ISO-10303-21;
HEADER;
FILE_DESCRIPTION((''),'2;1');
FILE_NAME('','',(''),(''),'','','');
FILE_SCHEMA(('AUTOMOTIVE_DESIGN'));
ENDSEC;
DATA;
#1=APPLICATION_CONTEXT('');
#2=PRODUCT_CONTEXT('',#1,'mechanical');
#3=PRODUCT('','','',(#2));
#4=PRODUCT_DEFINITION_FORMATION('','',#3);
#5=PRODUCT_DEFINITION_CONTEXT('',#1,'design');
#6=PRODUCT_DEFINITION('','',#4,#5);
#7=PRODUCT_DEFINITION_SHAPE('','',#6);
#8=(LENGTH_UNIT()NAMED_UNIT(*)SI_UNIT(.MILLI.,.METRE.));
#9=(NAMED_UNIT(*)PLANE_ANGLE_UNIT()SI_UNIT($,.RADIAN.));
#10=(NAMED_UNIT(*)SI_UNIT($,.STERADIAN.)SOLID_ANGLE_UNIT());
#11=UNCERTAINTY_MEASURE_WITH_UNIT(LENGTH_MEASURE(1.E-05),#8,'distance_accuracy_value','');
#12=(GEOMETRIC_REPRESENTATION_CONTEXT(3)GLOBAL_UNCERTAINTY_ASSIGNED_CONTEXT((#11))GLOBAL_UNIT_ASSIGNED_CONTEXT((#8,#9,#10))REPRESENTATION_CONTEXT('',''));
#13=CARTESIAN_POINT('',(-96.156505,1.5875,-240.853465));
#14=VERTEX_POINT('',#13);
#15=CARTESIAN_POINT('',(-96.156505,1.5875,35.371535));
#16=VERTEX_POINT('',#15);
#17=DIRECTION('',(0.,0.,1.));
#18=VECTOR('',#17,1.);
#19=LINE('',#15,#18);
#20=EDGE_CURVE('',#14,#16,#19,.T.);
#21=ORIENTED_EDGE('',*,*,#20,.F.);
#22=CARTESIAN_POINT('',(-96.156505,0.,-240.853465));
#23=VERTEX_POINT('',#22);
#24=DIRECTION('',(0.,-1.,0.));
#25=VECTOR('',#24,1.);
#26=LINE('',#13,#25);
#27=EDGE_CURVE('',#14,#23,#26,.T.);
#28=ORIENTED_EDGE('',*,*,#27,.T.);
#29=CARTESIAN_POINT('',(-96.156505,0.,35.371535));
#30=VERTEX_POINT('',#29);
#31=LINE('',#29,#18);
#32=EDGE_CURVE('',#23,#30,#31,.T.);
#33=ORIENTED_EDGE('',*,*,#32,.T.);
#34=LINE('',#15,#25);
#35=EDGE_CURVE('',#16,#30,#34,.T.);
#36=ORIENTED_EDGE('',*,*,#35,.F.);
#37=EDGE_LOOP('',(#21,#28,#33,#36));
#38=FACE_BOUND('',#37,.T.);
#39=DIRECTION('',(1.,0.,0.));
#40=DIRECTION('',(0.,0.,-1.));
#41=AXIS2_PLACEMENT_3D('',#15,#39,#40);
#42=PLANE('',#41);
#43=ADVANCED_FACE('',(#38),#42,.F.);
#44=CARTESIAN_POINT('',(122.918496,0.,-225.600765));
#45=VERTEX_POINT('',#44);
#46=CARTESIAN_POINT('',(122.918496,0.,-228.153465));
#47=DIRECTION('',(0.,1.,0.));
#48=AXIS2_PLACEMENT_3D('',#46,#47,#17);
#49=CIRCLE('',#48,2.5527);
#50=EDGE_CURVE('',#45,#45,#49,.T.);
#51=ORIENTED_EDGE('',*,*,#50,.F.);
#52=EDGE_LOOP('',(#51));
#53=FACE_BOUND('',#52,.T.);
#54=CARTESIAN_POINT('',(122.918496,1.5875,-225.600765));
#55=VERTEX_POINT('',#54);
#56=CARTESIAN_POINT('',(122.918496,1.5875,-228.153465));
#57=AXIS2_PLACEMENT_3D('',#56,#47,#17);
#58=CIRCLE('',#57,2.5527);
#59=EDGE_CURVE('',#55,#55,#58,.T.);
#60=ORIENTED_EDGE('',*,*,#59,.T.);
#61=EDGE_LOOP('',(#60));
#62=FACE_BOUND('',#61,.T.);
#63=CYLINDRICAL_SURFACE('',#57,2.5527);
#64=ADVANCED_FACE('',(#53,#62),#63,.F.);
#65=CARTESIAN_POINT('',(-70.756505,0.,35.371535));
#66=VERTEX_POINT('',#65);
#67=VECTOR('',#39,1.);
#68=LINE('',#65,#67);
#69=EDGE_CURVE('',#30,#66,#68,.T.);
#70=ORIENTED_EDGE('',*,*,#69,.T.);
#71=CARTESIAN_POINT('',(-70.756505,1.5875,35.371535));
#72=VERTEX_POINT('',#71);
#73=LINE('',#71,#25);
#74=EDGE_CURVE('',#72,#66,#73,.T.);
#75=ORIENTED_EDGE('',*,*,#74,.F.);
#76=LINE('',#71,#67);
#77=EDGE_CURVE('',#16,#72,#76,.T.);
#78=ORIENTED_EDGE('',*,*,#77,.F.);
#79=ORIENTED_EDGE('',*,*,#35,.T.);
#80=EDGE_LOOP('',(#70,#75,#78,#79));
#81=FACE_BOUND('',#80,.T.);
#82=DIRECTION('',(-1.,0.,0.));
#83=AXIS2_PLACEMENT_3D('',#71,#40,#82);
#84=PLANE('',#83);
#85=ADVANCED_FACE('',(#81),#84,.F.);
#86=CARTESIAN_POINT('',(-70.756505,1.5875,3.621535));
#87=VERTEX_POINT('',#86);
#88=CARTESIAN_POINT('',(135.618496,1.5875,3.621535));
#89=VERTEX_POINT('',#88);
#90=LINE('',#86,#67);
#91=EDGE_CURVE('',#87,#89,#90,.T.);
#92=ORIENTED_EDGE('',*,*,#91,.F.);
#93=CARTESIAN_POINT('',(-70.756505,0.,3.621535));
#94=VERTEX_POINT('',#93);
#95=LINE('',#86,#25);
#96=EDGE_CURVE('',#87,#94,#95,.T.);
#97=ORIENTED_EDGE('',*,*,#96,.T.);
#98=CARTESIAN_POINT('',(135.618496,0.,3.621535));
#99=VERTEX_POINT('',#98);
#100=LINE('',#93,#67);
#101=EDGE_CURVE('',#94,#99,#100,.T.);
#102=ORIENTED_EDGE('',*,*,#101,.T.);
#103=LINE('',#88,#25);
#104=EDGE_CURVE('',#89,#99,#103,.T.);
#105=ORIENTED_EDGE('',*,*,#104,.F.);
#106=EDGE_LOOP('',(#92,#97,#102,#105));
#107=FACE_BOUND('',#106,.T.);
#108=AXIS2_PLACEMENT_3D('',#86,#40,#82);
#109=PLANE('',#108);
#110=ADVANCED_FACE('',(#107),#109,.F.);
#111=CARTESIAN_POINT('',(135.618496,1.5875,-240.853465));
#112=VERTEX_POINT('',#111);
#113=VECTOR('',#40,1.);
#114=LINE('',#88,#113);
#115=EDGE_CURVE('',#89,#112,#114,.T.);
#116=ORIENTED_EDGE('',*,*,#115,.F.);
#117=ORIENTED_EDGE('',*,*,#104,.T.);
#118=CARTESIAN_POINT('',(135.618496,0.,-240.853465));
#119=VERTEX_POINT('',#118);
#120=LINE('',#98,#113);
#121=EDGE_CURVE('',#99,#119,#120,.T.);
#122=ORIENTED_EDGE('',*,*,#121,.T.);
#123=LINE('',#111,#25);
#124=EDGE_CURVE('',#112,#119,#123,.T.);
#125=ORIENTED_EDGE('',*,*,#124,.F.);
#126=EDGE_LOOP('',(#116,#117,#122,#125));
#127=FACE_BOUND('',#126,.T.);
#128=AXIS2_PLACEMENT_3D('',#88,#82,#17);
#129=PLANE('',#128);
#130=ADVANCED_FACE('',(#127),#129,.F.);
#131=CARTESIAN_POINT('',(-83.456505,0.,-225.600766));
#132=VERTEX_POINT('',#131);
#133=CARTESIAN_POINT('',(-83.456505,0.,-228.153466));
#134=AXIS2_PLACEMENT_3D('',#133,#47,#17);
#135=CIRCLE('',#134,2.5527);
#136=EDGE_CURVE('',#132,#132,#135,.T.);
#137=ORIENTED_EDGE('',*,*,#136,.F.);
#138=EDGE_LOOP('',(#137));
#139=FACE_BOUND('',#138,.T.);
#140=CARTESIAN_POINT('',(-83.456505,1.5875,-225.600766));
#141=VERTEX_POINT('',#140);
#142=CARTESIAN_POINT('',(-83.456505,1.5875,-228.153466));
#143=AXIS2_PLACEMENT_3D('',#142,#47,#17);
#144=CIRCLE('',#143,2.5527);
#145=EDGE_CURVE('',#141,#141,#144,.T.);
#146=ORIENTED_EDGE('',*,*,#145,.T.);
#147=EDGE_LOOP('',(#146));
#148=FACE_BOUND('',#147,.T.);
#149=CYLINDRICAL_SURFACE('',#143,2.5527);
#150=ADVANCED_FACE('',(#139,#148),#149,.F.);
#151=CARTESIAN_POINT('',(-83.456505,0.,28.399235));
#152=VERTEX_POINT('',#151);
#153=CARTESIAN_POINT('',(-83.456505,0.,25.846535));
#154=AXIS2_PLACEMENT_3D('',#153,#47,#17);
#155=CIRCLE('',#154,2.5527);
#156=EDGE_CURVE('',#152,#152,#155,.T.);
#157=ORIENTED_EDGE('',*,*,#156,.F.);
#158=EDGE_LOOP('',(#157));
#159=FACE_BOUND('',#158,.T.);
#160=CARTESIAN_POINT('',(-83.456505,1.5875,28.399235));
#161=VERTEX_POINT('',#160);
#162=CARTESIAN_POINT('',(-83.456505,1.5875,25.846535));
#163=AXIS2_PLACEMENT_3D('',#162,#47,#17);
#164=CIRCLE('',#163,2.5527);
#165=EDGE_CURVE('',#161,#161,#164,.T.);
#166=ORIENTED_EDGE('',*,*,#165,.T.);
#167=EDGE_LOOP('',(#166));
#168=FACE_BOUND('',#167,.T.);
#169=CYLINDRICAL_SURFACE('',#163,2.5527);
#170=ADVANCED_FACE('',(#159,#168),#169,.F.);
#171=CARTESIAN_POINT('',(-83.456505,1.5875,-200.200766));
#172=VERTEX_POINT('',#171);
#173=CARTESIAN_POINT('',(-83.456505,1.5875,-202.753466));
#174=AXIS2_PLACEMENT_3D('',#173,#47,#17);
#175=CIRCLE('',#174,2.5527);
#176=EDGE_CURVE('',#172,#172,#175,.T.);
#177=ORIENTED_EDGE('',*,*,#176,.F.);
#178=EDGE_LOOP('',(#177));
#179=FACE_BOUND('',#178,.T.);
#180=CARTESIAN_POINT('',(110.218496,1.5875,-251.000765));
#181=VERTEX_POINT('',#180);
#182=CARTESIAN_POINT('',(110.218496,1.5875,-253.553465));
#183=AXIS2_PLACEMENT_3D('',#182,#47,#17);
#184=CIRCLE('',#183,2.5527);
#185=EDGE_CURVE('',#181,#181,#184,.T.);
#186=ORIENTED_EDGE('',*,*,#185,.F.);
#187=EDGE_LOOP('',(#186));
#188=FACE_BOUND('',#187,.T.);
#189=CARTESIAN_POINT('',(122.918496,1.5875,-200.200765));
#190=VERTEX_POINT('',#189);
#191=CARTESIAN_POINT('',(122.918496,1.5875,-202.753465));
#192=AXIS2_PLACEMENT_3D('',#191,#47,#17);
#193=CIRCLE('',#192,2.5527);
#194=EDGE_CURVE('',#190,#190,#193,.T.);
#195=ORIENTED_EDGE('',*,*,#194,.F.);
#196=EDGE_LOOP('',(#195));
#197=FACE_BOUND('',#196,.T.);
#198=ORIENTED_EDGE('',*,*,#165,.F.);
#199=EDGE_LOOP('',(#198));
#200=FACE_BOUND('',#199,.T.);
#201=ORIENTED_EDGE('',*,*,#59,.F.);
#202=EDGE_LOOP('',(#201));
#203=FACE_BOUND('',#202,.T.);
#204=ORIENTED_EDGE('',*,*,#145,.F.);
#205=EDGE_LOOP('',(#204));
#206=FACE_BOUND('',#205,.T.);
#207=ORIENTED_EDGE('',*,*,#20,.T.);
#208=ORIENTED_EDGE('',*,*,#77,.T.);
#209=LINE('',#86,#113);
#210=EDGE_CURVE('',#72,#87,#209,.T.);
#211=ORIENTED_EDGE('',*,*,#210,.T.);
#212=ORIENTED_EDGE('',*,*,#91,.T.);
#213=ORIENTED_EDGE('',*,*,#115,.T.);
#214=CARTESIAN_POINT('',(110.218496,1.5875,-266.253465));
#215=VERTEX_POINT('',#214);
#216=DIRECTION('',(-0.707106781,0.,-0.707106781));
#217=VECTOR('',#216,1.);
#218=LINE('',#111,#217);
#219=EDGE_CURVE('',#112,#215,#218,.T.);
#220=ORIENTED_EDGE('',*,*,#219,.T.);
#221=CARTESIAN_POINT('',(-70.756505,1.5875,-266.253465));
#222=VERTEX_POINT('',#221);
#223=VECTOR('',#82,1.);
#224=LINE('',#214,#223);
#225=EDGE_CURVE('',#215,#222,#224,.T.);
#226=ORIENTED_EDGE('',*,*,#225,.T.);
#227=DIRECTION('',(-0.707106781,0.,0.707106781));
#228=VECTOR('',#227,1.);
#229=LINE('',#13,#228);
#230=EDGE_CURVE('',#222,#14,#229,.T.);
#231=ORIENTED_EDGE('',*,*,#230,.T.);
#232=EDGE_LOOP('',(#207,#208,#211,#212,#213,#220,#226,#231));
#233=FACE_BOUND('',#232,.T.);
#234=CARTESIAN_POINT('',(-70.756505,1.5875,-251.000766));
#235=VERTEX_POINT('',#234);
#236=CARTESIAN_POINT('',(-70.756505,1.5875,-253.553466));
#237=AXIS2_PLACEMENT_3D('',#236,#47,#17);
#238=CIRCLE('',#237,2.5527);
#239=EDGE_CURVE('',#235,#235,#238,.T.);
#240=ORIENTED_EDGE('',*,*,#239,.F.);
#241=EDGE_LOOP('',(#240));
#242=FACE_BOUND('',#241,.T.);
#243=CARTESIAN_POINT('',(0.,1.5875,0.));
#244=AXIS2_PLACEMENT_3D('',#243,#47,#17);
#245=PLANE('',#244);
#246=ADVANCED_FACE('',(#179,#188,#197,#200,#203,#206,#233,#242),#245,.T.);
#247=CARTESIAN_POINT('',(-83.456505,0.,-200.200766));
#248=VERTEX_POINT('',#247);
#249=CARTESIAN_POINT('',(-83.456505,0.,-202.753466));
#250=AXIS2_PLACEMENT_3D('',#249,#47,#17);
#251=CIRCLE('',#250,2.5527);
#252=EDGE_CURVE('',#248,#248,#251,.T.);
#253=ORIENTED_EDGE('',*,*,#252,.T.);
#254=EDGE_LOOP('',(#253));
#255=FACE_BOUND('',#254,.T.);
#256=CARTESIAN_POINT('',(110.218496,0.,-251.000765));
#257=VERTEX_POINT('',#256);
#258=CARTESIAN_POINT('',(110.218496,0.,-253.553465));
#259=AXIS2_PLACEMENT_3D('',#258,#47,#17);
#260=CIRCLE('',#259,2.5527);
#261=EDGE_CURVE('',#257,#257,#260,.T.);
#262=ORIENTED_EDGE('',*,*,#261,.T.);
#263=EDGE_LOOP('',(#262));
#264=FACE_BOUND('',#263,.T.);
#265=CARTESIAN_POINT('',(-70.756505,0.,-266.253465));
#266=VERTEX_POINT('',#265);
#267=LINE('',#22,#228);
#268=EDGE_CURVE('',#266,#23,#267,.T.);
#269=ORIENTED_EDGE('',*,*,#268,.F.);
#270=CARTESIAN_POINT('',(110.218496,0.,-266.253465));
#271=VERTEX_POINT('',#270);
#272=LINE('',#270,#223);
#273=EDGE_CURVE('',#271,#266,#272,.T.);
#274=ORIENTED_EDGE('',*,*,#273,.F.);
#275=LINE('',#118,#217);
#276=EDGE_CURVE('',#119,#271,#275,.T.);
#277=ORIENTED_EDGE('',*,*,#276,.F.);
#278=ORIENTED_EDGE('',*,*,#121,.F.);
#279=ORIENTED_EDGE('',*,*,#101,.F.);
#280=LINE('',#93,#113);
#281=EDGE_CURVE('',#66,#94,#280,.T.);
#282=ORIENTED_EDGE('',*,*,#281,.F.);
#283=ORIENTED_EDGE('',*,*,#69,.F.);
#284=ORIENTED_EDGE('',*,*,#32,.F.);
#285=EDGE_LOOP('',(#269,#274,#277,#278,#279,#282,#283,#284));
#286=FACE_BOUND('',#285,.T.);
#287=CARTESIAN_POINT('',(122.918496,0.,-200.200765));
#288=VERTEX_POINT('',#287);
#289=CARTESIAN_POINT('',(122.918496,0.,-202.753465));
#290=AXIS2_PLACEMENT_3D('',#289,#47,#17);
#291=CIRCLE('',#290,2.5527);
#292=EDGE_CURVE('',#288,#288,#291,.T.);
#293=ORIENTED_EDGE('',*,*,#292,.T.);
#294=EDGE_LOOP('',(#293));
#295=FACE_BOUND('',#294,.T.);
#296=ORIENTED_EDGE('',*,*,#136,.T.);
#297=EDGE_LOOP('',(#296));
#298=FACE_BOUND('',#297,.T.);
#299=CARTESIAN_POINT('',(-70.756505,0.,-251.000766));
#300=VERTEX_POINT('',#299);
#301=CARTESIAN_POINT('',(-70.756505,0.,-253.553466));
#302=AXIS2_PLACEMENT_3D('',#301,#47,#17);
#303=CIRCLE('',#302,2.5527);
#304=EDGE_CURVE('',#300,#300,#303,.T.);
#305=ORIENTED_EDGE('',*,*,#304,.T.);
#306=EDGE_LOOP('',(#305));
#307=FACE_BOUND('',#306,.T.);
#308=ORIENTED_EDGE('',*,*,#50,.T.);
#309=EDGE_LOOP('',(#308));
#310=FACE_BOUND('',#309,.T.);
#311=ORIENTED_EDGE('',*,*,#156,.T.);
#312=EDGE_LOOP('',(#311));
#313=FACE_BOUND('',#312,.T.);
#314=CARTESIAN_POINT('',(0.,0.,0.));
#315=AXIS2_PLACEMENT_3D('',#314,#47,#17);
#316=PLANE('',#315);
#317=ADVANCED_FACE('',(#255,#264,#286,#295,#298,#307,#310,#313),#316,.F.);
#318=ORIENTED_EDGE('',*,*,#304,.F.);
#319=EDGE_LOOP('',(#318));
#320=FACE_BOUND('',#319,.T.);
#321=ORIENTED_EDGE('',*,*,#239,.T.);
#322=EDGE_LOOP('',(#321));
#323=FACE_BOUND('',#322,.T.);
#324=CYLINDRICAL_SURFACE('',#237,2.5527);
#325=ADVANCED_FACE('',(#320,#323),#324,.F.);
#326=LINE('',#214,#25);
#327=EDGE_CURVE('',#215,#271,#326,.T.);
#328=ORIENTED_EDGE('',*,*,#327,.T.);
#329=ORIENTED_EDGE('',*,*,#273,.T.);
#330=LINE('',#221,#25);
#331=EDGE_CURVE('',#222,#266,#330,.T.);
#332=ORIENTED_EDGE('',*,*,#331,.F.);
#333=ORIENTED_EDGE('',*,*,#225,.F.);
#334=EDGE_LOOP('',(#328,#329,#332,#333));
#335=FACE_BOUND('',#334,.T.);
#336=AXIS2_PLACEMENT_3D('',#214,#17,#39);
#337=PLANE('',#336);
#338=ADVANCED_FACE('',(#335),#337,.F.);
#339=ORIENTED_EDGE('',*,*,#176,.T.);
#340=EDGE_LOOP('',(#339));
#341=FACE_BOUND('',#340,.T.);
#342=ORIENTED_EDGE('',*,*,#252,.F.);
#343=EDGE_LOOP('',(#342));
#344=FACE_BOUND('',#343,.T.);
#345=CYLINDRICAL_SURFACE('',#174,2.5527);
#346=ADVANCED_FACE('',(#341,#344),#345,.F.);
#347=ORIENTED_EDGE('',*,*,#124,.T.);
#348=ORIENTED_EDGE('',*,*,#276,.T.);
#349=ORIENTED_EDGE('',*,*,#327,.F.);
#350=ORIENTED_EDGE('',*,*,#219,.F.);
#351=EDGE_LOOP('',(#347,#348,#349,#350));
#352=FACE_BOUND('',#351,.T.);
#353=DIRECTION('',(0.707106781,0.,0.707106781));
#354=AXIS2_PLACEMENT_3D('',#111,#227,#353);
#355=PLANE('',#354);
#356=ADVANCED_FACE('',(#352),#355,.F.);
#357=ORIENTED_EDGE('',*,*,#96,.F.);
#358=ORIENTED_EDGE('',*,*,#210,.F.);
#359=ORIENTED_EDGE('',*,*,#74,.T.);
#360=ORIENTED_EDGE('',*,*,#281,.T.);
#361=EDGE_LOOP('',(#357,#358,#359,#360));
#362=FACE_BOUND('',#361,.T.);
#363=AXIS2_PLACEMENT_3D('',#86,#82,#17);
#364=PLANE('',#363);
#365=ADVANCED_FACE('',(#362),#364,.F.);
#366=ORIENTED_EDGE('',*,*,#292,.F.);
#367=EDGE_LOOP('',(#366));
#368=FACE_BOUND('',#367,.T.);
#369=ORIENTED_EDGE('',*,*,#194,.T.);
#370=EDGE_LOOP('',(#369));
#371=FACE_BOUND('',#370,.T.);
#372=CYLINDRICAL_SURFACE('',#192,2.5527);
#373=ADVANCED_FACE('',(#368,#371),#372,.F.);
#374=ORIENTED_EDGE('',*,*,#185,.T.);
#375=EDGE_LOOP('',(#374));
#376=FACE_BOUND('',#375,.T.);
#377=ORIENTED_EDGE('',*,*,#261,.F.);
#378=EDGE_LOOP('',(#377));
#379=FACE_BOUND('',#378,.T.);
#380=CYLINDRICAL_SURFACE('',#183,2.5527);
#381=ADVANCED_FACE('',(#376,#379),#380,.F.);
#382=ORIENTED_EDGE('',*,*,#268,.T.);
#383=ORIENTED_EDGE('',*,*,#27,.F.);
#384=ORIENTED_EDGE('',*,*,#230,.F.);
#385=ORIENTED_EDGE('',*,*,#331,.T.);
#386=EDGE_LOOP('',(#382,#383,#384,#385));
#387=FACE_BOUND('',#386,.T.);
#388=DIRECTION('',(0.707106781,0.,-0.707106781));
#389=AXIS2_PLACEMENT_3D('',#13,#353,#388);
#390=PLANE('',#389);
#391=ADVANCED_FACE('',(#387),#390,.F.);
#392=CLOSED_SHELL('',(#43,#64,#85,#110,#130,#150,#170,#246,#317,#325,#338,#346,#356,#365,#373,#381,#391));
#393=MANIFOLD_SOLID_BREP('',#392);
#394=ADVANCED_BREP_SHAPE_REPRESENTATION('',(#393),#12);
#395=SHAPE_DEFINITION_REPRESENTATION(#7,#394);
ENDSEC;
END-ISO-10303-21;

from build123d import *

# Parameters (mm, degrees)
BOSS_EXTRUDE1_DEPTH    = 1.5875
F_10_CLEARANCE_HOLE1_D = 5.1054


with BuildPart() as part:
    # Sketch3 → Boss-Extrude1 (new body)
    with BuildSketch(Plane(origin=(0, 0, 0), x_dir=(1, 0, 0), z_dir=(0, 1, 0))):
        Polygon((-96.156504736, -35.371535332), (-96.156504736, 240.853464665), (-70.756504733, 266.253464668), (110.218495843, 266.253464668), (135.618495843, 240.853464668), (135.618495843, -3.621535332), (-70.756504661, -3.621535332), (-70.756504661, -35.371535332), align=None)
    extrude(amount=BOSS_EXTRUDE1_DEPTH)

    # #10 Clearance Hole1 (through all)
    with Locations(Plane(origin=(0, 1.5875, 0), x_dir=(1, 0, 0), z_dir=(0, 1, 0))):
        with Locations((-83.456504705, -25.846534826), (-83.456504732, 202.753465682), (-83.456504732, 228.153465682), (-70.756504732, 253.553465682), (122.918495843, 202.753464668), (122.918495843, 228.153464668), (110.218495843, 253.553464668)):
            Hole(F_10_CLEARANCE_HOLE1_D / 2)


solid = part.part
